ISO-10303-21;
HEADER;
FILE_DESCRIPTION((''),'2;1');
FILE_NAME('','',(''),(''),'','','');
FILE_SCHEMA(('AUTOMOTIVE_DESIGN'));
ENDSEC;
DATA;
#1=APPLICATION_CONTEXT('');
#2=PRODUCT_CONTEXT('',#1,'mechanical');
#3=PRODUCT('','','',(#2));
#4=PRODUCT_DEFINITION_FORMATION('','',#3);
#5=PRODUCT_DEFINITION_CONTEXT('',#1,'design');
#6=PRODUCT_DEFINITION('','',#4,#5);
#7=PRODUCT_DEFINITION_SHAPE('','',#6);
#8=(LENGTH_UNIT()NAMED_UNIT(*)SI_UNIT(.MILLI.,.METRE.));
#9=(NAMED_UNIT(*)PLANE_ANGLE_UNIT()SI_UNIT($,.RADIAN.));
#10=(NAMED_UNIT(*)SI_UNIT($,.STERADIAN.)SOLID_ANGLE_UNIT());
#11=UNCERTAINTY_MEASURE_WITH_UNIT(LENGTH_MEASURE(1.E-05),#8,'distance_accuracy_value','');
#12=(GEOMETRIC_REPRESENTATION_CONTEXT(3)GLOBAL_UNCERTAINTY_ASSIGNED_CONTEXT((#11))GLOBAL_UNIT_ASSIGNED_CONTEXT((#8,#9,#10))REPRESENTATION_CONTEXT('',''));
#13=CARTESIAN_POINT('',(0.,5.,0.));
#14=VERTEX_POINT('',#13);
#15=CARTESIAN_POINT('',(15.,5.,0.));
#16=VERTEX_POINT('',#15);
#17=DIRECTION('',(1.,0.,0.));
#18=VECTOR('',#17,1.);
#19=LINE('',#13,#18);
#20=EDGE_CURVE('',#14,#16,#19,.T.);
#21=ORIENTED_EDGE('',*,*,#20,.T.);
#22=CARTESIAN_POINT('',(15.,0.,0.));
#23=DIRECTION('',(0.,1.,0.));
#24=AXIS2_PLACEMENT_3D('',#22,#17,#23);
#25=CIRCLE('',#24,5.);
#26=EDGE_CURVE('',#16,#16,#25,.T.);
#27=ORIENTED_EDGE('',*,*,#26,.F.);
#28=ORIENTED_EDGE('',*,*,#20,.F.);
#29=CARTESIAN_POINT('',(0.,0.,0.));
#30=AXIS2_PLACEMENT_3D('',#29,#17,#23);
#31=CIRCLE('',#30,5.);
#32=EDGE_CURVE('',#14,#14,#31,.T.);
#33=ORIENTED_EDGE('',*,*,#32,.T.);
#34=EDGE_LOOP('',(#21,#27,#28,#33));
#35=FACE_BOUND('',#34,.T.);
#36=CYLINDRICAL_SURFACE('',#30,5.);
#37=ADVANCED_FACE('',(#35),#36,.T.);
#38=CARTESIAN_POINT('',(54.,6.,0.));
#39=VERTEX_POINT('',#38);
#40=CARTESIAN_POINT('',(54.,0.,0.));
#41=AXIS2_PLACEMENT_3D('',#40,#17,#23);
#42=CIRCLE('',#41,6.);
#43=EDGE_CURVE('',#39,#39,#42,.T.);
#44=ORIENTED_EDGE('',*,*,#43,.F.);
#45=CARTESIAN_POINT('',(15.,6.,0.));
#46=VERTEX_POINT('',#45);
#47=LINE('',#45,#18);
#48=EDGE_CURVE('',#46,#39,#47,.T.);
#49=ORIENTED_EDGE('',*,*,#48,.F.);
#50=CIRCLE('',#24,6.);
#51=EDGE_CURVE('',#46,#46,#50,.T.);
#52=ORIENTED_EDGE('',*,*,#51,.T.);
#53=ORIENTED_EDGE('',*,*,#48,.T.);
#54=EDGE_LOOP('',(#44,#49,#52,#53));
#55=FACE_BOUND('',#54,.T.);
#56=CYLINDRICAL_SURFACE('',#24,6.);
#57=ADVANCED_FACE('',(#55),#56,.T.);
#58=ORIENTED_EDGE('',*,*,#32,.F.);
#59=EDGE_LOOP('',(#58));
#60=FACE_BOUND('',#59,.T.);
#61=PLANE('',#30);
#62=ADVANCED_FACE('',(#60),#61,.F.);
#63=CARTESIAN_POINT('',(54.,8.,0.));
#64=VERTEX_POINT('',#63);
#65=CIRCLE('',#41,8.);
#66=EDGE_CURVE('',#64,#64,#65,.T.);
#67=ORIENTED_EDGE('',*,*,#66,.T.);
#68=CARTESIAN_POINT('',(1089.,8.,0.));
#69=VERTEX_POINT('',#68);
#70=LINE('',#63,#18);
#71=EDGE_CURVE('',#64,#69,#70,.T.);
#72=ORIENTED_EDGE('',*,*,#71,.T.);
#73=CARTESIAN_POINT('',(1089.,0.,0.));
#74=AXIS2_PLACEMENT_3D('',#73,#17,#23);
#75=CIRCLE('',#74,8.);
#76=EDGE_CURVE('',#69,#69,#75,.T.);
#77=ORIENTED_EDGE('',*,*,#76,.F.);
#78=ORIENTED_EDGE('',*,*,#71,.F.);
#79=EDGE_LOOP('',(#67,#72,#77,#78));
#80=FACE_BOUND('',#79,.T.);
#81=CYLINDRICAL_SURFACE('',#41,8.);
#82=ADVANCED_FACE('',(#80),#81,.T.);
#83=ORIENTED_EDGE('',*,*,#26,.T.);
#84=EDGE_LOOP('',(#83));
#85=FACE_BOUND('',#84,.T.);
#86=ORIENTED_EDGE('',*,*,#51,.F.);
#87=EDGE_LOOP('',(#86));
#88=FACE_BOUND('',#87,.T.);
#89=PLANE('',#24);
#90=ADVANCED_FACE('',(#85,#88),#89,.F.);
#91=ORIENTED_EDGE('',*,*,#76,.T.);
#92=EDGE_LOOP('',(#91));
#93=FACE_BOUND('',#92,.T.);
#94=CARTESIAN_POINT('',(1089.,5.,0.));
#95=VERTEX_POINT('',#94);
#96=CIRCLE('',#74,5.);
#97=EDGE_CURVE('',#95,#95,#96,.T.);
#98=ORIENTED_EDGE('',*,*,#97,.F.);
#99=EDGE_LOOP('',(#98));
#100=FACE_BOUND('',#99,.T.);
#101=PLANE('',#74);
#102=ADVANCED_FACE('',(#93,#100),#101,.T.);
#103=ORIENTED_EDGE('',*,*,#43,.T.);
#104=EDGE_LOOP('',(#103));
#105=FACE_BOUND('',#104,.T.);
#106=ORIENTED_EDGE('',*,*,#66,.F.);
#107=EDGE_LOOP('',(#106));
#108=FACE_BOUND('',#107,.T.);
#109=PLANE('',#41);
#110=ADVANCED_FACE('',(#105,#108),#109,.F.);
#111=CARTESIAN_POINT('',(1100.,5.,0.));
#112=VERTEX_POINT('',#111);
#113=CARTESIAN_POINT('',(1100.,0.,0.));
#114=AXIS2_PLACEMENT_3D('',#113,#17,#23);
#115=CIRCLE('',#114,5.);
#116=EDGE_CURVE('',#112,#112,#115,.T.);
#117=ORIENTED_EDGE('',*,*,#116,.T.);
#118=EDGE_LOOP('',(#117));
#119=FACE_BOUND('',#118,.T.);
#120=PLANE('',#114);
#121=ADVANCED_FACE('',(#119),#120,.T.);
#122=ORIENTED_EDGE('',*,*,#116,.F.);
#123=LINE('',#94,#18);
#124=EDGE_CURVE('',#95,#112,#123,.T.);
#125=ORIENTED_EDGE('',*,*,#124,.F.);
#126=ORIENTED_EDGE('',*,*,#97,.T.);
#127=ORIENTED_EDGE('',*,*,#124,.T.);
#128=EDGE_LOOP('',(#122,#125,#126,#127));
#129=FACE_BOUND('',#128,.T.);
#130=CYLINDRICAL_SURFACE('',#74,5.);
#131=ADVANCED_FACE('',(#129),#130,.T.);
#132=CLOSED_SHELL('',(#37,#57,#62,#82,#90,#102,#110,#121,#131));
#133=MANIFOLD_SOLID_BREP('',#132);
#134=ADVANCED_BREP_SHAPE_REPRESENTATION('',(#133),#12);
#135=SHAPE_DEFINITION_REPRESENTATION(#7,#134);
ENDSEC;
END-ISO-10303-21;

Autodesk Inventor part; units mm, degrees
ref_plane "YZ Plane" through (0, 0, 0) normal (1, 0, 0) x (0, 1, 0)
ref_plane "XZ Plane" through (0, 0, 0) normal (0, 1, 0) x (-1, 0, 0)
ref_plane "XY Plane" through (0, 0, 0) normal (0, 0, 1) x (1, 0, 0)
sketch "Sketch1" plane through (0, 0, 0) normal (0, 0, 1) x (1, 0, 0)
  line L0 (0, 0) -> (0, 5)
  line L1 (0, 5) -> (15, 5)
  line L2 (15, 5) -> (15, 6)
  line L3 (15, 6) -> (54, 6)
  line L4 (54, 6) -> (54, 8)
  line L5 (54, 8) -> (1089, 8)
  line L6 (1089, 8) -> (1089, 5)
  line L7 (1089, 5) -> (1100, 5)
  line L8 (1100, 5) -> (1100, 0)
  line L9 (1100, 0) -> (0, 0)
  line L10 (0, 0) -> (1100, 0)
  dimension "d0" = 5
  dimension "d1" = 6
  dimension "d2" = 8
  dimension "d3" = 5
  dimension "d4" = 11
  dimension "d6" = 39
  dimension "d8" = 15
  dimension "d9" = 1100
revolve "Revolution1" add sketch "Sketch1" angle 360 about axis through (0, 0, 0) along (1, 0, 0)
properties part number "SFU1605"
